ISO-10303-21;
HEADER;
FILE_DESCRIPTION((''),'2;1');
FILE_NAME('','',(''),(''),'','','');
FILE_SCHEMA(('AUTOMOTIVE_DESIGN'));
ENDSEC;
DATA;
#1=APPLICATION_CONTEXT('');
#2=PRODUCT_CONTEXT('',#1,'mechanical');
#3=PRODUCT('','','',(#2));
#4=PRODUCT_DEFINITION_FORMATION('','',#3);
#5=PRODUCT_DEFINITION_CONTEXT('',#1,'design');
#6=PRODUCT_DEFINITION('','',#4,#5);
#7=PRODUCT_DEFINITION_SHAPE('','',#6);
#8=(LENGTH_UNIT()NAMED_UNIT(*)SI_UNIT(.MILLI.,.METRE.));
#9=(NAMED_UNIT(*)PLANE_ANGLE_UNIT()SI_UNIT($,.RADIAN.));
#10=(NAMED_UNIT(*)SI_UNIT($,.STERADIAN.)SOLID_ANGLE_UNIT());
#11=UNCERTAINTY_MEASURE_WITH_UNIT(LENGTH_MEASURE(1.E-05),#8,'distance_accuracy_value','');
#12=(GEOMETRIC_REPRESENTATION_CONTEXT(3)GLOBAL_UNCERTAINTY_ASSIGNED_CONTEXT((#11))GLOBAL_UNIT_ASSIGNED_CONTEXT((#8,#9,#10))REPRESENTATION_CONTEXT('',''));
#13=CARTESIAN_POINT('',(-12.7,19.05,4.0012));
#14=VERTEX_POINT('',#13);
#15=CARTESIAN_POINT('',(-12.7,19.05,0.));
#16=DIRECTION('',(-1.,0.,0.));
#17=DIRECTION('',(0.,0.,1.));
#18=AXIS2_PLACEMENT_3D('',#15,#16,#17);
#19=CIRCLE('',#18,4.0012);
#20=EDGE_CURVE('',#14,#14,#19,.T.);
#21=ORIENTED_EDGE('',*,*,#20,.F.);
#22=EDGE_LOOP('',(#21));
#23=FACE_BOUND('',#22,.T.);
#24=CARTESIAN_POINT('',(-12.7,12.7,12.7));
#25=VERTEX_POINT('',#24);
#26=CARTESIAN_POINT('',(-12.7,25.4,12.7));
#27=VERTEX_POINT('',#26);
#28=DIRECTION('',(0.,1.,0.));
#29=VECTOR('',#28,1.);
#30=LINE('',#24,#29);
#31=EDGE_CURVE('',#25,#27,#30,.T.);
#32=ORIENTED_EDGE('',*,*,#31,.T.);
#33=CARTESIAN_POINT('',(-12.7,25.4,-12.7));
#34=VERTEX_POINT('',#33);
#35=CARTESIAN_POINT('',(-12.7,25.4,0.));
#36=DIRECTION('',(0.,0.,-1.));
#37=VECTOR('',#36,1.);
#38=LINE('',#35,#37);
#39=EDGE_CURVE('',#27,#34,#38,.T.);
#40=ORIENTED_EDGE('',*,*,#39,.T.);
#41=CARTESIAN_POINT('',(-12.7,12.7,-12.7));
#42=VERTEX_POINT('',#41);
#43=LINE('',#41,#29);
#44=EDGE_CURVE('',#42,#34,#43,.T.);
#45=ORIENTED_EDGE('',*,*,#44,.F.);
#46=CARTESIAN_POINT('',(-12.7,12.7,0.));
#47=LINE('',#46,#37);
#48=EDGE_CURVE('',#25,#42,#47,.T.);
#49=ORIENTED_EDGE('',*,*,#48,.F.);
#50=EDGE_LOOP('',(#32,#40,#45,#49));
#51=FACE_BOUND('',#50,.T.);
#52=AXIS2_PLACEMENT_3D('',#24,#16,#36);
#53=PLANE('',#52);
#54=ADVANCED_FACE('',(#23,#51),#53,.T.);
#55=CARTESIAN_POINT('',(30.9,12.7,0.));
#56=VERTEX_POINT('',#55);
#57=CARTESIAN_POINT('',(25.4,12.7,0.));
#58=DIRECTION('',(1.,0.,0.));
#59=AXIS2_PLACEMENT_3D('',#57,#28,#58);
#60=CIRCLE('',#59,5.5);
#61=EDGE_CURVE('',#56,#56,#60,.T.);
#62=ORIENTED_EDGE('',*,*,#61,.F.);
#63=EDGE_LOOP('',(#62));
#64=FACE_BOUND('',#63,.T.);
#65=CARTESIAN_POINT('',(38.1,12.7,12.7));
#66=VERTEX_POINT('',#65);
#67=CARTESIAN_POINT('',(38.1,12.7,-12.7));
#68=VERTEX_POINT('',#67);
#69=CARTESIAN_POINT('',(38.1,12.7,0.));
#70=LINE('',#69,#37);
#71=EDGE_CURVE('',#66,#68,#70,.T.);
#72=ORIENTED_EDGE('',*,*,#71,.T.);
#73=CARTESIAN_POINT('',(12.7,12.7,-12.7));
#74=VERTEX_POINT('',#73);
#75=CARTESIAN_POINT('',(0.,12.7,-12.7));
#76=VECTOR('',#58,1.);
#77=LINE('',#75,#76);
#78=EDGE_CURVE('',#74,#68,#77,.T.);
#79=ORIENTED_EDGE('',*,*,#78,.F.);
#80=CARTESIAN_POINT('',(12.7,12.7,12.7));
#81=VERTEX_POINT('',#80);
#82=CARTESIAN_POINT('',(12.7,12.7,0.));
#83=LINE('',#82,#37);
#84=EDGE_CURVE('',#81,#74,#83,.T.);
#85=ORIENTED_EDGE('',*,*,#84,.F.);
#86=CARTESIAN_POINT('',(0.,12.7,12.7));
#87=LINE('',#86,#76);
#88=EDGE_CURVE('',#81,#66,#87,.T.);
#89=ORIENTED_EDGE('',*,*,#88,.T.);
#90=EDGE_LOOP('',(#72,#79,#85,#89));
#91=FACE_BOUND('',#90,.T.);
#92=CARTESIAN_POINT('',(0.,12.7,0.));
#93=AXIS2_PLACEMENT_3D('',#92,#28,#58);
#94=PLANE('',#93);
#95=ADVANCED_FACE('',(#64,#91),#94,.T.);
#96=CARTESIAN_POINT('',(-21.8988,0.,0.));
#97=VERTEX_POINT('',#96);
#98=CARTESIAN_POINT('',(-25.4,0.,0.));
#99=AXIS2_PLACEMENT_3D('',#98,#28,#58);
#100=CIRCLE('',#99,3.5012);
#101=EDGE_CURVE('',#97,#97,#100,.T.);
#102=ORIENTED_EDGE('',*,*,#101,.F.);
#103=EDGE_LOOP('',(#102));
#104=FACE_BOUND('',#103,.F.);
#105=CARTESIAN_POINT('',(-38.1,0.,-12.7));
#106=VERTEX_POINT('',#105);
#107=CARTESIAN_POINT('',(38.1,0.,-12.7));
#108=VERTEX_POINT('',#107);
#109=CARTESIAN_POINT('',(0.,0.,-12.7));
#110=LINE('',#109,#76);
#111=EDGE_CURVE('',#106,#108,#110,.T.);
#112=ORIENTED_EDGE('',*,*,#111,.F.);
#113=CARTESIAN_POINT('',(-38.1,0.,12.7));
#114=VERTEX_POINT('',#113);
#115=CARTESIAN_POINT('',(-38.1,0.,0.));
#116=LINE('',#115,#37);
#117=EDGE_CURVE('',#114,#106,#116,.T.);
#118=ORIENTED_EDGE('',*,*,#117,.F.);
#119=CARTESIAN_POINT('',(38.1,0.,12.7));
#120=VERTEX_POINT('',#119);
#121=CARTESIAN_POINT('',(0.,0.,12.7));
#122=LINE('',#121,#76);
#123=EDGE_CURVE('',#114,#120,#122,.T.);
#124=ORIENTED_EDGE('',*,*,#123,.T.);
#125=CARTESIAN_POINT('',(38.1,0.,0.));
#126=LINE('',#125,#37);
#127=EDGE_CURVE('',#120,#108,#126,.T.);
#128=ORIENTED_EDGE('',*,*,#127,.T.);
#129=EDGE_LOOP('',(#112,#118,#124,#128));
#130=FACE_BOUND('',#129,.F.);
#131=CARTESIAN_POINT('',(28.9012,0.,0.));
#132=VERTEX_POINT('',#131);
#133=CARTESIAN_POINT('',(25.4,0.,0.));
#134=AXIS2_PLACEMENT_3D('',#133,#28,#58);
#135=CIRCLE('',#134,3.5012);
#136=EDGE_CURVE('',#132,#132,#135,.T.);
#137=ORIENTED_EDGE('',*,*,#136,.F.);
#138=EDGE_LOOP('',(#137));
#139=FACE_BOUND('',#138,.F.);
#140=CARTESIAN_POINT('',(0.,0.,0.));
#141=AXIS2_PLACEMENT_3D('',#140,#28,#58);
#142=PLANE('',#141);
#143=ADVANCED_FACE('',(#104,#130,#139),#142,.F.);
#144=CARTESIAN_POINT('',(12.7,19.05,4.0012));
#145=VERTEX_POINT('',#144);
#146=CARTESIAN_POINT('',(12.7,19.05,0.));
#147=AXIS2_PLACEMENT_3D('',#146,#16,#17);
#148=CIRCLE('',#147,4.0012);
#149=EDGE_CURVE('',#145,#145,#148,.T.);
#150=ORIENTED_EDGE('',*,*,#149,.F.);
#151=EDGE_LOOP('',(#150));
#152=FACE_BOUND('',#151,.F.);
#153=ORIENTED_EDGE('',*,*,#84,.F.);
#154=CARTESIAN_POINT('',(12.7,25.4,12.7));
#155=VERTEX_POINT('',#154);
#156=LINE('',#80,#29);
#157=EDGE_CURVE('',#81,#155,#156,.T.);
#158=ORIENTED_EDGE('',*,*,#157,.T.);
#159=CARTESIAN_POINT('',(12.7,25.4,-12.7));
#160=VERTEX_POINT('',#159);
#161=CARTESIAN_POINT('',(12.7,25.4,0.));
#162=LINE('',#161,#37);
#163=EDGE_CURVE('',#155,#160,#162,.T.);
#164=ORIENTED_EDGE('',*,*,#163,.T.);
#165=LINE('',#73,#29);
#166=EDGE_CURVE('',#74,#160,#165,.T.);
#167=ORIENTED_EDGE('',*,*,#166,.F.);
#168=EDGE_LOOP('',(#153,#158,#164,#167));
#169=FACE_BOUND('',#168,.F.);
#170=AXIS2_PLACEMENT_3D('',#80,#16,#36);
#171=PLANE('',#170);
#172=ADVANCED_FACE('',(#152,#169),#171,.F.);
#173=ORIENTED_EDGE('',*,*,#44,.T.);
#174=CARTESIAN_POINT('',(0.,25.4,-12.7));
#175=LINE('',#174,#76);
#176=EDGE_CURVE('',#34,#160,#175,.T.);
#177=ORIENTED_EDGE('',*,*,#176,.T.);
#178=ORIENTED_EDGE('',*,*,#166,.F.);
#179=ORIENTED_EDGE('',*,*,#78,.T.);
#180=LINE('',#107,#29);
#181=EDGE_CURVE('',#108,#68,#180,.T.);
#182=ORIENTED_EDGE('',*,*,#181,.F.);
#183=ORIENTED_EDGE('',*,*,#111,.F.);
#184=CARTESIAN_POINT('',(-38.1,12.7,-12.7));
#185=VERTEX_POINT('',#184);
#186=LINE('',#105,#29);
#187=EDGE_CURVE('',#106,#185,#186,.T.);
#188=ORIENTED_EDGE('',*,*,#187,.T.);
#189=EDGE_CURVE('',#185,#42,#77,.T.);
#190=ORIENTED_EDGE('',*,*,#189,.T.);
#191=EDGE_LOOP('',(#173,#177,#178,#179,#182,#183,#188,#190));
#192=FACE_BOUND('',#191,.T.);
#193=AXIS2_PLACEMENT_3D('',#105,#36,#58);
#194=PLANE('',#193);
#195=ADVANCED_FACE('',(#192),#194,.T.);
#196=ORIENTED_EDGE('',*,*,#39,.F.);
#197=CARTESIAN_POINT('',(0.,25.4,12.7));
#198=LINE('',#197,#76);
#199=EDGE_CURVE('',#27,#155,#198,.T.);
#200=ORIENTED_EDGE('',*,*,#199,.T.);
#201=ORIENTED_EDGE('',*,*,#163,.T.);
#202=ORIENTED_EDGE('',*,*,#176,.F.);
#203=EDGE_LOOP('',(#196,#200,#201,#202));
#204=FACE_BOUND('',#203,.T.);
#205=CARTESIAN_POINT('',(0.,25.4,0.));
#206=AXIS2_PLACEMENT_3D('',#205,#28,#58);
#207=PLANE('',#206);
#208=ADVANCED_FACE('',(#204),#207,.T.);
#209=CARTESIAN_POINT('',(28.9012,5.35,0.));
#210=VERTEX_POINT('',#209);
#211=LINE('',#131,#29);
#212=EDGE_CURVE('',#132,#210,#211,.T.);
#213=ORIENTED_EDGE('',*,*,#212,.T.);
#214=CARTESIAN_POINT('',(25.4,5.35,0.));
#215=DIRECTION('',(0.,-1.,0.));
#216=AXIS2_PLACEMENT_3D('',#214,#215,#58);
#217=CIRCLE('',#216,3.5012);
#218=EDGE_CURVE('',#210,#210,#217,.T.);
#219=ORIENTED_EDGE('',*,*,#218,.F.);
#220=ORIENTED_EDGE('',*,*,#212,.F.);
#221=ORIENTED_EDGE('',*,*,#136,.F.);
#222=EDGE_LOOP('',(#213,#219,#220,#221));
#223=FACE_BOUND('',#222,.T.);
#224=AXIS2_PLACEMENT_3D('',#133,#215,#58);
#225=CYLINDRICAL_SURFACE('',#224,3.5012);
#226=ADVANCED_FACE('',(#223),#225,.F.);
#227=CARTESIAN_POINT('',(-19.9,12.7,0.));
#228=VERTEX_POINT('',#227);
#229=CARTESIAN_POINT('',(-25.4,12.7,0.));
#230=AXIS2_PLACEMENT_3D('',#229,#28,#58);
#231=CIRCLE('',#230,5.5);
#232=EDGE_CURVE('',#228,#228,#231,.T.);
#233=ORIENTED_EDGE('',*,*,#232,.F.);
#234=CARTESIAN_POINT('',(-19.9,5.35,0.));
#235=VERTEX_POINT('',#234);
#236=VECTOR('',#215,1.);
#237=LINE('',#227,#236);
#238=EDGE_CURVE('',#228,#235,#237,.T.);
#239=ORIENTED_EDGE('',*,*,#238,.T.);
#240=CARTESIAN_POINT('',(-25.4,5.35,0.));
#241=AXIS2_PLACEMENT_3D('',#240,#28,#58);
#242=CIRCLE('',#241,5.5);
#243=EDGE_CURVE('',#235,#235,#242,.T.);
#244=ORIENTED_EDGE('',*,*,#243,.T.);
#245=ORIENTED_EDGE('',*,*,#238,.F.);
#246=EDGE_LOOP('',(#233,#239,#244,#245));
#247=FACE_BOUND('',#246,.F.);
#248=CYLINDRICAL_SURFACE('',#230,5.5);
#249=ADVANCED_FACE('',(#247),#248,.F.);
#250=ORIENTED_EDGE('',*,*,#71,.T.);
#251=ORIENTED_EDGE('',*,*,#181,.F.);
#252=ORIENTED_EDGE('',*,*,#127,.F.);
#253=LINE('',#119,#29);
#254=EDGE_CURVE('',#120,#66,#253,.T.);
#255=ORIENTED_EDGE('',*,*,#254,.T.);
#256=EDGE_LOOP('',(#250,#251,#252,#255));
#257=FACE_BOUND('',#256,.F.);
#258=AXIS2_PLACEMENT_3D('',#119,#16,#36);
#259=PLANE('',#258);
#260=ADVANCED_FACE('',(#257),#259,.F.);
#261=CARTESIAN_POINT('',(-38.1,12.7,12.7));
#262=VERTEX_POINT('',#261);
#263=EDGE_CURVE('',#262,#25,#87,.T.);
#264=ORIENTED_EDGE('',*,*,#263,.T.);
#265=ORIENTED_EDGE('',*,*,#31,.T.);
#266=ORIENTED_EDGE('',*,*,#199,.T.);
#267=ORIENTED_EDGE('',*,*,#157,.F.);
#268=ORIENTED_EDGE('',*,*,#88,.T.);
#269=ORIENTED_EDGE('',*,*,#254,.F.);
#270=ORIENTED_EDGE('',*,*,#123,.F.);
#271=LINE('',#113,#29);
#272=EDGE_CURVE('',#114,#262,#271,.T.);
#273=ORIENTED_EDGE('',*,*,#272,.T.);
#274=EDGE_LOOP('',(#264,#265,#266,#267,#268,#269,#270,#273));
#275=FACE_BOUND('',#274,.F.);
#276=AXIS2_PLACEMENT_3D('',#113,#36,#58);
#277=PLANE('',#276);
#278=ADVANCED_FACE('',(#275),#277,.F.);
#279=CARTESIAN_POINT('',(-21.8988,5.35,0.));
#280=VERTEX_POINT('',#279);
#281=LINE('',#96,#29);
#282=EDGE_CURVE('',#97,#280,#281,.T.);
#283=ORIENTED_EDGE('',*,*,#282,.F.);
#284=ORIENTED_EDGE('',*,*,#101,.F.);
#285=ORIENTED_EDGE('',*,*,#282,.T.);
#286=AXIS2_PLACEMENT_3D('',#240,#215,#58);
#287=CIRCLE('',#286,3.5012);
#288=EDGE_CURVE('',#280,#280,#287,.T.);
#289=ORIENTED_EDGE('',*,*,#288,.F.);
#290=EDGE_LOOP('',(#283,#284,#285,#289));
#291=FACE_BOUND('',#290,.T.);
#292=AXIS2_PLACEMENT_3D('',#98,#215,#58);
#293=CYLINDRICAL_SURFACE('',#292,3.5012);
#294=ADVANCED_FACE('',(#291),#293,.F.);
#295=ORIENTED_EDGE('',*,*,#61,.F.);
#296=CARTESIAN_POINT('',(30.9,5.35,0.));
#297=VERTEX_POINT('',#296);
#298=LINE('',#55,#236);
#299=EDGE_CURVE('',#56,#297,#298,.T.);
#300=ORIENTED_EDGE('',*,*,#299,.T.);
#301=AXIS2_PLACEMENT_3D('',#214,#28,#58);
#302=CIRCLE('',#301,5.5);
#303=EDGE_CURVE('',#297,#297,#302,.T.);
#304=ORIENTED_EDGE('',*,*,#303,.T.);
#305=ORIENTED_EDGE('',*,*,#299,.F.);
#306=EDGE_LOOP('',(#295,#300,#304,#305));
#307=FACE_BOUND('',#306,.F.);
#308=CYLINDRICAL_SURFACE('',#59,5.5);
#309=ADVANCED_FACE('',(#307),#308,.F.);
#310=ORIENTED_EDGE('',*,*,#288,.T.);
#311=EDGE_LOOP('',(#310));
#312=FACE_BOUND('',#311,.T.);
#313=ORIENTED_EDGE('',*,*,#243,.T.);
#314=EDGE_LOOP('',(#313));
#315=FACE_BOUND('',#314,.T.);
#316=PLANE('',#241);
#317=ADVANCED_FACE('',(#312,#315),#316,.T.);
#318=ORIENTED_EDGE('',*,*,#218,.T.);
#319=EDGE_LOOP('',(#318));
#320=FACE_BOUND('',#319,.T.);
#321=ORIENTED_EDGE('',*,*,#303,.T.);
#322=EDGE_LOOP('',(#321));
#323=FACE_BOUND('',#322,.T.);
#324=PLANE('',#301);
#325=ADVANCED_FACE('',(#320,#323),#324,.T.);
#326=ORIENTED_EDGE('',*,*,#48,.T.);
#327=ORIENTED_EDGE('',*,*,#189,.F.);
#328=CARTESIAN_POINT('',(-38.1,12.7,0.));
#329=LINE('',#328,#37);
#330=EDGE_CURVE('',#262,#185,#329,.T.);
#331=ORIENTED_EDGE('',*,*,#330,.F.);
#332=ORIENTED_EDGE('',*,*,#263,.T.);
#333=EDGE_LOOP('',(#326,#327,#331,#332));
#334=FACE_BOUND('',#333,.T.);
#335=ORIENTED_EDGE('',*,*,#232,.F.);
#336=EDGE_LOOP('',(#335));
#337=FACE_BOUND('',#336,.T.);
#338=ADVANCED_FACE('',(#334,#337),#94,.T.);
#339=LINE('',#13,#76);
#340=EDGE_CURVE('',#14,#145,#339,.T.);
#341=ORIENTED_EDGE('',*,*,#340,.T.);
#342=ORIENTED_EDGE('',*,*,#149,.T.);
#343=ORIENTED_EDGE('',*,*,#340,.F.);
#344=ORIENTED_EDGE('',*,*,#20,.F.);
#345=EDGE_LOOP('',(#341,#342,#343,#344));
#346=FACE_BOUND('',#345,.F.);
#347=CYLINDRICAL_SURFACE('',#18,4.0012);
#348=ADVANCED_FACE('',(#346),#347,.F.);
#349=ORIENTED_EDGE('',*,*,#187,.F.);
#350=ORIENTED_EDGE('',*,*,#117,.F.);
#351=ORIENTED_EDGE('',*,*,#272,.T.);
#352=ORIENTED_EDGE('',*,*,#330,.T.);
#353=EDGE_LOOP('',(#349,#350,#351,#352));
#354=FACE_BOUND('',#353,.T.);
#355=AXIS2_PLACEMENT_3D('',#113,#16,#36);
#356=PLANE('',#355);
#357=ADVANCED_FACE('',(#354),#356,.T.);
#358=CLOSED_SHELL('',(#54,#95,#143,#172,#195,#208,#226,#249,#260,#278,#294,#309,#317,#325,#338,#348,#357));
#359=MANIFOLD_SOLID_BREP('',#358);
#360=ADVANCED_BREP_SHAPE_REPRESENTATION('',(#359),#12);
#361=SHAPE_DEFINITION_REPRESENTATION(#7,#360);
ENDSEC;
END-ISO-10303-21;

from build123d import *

# Parameters (mm, degrees)
SKETCH1_W           = 76.2
SKETCH1_H           = 25.4
SKETCH1_R           = 3.501199875
BOSS_EXTRUDE1_DEPTH = 12.7
SKETCH2_W           = 25.4
SKETCH2_H           = 25.4
BOSS_EXTRUDE2_DEPTH = 12.7
SKETCH3_R           = 4.001199875
CUT_EXTRUDE1_DEPTH  = 43.7
SKETCH4_R           = 5.5
CUT_EXTRUDE2_DEPTH  = 7.35


with BuildPart() as part:
    # Sketch1 → Boss-Extrude1 (new body)
    with BuildSketch(Plane(origin=(0, 0, 0), x_dir=(1, 0, 0), z_dir=(0, 1, 0))):
        Rectangle(SKETCH1_W, SKETCH1_H)
        with Locations((-25.4, 0)):
            Circle(SKETCH1_R, mode=Mode.SUBTRACT)
        with Locations((25.4, 0)):
            Circle(SKETCH1_R, mode=Mode.SUBTRACT)
    extrude(amount=BOSS_EXTRUDE1_DEPTH)

    # Sketch2 → Boss-Extrude2 (add)
    with BuildSketch(Plane(origin=(0, 12.7, 0), x_dir=(1, 0, 0), z_dir=(0, 1, 0))):
        Rectangle(SKETCH2_W, SKETCH2_H)
    extrude(amount=BOSS_EXTRUDE2_DEPTH)

    # Sketch3 → Cut-Extrude1 (cut)
    with BuildSketch(Plane.ZY.offset(12.7)):
        with Locations((0, 19.05)):
            Circle(SKETCH3_R)
    extrude(amount=-CUT_EXTRUDE1_DEPTH, mode=Mode.SUBTRACT)

    # Sketch4 → Cut-Extrude2 (cut)
    with BuildSketch(Plane(origin=(0, 12.7, 0), x_dir=(1, 0, 0), z_dir=(0, 1, 0))):
        with Locations((-25.4, 0)):
            Circle(SKETCH4_R)
        with Locations((25.4, 0)):
            Circle(SKETCH4_R)
    extrude(amount=-CUT_EXTRUDE2_DEPTH, mode=Mode.SUBTRACT)


solid = part.part
